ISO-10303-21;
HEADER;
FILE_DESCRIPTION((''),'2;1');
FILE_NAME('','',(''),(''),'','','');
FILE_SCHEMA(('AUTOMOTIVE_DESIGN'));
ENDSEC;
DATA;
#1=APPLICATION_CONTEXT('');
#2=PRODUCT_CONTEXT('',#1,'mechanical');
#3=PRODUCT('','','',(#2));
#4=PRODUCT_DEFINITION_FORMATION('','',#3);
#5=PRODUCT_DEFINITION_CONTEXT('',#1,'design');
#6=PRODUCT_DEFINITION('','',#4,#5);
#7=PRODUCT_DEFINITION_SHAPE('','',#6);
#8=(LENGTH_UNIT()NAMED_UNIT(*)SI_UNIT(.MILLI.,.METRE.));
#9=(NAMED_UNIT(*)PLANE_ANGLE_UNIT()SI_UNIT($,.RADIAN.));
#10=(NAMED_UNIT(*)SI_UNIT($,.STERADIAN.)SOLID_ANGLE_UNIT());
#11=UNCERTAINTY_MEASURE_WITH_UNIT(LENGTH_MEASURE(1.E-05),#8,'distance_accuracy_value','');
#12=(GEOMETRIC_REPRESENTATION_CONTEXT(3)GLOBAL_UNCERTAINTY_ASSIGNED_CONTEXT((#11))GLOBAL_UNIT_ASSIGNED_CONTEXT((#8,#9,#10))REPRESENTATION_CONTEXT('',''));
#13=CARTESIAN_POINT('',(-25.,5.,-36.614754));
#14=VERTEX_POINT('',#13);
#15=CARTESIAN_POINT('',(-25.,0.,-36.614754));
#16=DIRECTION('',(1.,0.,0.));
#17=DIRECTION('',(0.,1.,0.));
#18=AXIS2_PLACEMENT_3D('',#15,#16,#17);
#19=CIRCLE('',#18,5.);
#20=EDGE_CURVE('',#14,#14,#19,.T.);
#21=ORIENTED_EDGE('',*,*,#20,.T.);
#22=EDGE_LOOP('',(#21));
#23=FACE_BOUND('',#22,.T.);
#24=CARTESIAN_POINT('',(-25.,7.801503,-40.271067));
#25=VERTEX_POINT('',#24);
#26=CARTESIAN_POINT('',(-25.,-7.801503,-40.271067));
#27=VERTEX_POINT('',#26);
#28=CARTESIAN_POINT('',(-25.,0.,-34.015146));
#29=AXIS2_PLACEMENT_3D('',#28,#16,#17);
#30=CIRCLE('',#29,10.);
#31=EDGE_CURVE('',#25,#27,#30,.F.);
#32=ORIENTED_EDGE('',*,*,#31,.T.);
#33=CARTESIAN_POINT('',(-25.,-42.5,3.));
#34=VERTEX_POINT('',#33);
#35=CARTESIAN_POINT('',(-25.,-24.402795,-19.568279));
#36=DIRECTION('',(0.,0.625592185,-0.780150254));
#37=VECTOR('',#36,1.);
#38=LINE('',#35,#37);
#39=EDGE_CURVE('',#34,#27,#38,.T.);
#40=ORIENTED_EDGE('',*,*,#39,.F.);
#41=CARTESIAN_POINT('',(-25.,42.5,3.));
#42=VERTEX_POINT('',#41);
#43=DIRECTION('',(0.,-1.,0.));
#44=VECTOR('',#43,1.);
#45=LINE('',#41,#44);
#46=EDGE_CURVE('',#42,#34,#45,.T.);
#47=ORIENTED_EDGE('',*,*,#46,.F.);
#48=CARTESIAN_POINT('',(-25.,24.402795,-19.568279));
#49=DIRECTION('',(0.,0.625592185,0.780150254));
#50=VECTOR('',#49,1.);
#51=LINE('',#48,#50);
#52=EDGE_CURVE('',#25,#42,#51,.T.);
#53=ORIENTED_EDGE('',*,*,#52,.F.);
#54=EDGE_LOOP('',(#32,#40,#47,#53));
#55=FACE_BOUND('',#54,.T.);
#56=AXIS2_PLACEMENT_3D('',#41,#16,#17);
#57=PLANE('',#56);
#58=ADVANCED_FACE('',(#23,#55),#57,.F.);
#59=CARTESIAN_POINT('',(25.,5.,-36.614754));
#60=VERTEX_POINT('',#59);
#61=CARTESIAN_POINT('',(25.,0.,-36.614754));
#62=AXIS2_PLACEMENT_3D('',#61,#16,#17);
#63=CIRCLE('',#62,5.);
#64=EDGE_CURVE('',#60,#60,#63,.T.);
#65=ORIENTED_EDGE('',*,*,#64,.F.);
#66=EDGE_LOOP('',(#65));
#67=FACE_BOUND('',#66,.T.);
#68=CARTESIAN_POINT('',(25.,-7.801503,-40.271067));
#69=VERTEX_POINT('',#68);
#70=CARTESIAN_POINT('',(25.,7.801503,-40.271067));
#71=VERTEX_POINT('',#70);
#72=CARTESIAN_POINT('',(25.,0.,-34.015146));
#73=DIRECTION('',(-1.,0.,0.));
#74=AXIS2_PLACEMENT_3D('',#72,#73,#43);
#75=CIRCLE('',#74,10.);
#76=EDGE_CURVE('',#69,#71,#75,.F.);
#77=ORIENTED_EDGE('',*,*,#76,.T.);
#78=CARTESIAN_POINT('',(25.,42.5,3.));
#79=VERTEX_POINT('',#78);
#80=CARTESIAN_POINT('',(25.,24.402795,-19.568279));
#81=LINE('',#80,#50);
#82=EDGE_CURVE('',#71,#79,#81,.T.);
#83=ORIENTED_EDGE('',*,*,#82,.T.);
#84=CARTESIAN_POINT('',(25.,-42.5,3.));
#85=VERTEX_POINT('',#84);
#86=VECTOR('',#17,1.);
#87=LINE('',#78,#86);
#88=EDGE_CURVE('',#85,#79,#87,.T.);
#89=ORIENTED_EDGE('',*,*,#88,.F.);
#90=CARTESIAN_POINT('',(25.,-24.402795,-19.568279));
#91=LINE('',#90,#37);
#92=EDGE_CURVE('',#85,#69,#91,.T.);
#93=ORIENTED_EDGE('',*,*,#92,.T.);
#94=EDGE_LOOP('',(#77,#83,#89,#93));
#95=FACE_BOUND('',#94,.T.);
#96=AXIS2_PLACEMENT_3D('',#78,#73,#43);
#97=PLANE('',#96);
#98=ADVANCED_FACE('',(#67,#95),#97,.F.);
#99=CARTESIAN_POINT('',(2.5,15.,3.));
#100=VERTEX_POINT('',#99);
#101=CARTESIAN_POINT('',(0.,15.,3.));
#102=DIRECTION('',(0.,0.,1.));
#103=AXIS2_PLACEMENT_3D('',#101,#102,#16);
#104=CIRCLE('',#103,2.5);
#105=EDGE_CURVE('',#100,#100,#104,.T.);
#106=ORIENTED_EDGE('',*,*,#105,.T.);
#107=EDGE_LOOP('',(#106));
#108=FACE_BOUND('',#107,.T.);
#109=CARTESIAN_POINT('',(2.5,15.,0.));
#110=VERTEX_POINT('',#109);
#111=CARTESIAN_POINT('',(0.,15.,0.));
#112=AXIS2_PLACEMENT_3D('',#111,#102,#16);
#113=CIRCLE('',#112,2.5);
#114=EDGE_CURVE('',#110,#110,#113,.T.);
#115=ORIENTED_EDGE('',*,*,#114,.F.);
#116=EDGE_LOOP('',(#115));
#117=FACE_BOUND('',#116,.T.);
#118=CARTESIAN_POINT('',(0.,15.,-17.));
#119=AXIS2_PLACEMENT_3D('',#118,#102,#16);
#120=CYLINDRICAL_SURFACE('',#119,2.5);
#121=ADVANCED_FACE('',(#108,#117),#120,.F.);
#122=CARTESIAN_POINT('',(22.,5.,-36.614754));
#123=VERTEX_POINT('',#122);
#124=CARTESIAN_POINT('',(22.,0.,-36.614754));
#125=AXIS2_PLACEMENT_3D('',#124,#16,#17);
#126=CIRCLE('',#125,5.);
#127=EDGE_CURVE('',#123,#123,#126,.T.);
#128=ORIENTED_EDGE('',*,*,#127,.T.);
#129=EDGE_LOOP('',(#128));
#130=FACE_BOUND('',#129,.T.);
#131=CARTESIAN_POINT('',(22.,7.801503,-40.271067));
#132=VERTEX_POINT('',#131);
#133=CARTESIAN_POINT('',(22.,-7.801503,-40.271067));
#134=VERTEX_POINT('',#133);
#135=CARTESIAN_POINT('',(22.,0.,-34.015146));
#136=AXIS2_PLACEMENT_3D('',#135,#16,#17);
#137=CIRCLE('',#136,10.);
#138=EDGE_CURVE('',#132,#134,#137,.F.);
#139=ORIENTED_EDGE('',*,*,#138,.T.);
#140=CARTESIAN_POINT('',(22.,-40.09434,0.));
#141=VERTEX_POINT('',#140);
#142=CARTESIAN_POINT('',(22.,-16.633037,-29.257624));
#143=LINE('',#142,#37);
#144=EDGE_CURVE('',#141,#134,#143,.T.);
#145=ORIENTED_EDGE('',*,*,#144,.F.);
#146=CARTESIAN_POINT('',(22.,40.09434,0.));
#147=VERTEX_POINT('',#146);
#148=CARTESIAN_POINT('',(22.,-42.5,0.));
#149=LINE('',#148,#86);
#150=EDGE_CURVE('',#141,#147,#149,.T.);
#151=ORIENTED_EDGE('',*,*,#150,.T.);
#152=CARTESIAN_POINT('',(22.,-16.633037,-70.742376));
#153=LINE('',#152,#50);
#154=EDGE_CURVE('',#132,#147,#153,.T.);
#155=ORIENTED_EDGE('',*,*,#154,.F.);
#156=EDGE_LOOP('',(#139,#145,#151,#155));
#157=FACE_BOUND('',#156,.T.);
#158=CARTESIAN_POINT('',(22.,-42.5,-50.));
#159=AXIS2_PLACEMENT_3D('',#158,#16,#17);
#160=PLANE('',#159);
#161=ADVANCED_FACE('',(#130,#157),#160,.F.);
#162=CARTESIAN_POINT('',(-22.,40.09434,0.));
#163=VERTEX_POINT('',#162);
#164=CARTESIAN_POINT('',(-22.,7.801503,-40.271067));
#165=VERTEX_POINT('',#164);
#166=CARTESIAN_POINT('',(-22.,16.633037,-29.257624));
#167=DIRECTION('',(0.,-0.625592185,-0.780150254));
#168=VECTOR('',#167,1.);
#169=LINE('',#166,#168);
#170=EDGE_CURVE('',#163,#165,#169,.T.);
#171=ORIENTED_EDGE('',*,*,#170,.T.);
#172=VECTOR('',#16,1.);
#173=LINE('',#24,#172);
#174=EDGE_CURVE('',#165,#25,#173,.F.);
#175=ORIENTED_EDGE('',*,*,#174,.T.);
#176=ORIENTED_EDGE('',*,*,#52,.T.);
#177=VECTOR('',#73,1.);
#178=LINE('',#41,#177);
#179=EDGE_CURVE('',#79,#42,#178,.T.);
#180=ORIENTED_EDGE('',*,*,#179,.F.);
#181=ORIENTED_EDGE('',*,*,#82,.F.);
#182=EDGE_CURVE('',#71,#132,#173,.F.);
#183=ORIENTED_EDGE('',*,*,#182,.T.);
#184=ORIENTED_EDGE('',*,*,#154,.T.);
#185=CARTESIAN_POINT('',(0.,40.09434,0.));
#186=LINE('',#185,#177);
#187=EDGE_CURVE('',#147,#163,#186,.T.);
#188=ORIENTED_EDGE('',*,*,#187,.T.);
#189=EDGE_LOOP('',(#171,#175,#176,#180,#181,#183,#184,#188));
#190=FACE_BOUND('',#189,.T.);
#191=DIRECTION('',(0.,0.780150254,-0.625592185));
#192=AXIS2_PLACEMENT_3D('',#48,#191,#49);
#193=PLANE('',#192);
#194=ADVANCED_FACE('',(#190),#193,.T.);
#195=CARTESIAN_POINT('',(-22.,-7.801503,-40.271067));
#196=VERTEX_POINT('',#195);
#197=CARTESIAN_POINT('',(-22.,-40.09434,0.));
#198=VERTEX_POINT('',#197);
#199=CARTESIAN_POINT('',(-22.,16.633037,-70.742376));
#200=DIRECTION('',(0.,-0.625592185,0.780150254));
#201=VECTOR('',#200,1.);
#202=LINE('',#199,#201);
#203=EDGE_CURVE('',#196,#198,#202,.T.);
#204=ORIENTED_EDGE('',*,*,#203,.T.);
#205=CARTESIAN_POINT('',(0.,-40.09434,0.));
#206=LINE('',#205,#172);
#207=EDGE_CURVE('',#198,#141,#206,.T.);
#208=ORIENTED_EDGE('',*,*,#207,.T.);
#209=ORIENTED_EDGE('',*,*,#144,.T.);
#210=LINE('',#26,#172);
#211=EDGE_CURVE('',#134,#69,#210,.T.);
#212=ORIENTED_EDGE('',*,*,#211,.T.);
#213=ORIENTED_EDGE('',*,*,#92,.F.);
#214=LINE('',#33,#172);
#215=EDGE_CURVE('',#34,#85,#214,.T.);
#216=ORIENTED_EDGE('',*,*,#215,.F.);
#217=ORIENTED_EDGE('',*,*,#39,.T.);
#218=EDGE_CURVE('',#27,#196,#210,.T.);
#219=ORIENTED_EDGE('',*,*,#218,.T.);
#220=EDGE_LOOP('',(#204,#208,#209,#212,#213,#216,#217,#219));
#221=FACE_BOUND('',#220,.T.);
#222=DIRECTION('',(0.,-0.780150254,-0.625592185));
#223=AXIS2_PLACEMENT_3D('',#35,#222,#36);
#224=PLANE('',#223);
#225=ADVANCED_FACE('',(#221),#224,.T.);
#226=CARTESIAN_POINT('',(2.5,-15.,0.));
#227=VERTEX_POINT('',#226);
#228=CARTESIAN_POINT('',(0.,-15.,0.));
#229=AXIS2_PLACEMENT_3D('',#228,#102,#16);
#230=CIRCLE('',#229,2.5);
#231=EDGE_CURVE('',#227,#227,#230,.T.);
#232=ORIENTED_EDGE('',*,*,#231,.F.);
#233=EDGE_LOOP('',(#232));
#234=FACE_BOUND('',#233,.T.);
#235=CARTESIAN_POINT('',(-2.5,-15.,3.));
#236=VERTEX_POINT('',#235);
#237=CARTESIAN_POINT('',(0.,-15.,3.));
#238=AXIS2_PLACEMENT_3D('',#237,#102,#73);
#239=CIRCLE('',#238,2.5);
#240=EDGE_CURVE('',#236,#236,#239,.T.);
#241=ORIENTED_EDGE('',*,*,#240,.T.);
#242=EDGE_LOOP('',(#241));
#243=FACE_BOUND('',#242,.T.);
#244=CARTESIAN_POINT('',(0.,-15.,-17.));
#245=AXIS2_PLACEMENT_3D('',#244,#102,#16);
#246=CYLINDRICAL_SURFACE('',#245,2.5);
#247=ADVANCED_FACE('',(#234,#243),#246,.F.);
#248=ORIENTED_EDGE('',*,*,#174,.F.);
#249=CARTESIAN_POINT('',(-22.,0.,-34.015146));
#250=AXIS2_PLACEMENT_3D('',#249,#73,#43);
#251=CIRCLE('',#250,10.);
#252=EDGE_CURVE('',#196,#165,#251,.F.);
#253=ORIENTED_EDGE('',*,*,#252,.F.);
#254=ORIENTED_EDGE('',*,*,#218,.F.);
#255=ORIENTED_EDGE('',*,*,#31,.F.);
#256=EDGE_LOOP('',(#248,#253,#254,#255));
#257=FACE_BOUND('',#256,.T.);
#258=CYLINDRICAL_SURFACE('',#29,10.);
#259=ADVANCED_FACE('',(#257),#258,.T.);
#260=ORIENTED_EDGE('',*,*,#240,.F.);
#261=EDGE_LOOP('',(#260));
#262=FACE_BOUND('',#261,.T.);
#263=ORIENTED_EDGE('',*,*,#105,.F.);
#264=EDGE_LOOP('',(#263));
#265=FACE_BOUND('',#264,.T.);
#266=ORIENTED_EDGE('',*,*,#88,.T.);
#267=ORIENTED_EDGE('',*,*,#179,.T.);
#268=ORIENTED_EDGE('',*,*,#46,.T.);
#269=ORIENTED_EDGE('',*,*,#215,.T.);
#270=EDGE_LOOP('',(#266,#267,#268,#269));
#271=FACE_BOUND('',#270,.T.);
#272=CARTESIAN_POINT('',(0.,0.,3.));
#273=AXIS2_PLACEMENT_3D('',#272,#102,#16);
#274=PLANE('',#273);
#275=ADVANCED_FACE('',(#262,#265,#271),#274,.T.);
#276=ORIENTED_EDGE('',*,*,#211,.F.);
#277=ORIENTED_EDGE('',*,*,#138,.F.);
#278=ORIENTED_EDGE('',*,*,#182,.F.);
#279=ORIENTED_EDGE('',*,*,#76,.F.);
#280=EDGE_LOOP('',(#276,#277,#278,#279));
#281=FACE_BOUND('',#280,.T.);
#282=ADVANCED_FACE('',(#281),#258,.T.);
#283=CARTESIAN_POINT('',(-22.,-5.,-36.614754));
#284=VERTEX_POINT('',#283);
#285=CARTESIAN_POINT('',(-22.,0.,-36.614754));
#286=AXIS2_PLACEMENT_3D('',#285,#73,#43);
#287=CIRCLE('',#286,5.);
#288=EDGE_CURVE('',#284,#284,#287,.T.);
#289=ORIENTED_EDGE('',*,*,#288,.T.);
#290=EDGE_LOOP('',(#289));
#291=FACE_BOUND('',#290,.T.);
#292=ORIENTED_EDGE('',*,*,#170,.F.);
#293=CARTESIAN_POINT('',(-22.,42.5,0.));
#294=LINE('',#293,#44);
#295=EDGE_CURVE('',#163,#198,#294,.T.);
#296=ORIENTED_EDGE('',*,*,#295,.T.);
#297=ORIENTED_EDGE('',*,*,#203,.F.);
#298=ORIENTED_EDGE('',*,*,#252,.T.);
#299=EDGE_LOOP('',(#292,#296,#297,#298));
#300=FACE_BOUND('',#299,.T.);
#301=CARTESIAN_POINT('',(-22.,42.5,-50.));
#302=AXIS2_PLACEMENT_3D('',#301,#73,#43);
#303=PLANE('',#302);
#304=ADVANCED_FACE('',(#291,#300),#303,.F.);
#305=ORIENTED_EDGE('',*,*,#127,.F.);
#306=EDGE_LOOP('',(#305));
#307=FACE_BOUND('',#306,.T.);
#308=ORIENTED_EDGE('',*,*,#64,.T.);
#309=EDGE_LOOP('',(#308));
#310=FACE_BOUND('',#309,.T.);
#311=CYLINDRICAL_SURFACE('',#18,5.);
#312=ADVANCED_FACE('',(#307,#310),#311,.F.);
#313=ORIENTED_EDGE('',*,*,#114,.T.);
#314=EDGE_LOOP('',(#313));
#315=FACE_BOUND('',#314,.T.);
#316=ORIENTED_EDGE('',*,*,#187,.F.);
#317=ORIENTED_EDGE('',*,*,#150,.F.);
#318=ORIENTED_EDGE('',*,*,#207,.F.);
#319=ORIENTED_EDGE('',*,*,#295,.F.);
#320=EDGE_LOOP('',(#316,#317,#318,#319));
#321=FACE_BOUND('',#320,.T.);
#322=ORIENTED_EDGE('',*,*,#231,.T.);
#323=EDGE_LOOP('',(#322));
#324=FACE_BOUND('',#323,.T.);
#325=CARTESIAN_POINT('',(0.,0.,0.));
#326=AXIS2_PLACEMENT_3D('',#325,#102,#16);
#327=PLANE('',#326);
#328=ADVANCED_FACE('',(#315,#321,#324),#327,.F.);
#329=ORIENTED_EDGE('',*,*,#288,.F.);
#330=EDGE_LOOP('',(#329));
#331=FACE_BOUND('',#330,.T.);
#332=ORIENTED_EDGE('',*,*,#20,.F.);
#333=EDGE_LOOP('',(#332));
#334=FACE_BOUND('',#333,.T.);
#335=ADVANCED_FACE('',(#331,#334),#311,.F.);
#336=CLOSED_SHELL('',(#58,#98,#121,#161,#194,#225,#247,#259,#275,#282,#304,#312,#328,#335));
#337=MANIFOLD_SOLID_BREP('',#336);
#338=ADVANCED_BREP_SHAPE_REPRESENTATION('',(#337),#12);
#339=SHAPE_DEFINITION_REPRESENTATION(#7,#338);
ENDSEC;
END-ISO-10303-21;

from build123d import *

# Parameters (mm, degrees)
SKETCH1_W           = 50
SKETCH1_H           = 85
BOSS_EXTRUDE1_DEPTH = 3
SKETCH4_W           = 3
SKETCH4_H           = 85
BOSS_EXTRUDE2_DEPTH = 50
CUT_EXTRUDE1_DEPTH  = 50
FILLET2_R           = 10
SKETCH6_R           = 5
CUT_EXTRUDE2_DEPTH  = 50
SKETCH7_R           = 2.5
CUT_EXTRUDE3_DEPTH  = 20


with BuildPart() as part:
    # Sketch1 → Boss-Extrude1 (new body)
    with BuildSketch(Plane.XY):
        Rectangle(SKETCH1_W, SKETCH1_H)
    extrude(amount=BOSS_EXTRUDE1_DEPTH)

    # Sketch4 → Boss-Extrude2 (add)
    with BuildSketch(Plane(origin=(0, 0, 0), x_dir=(-1, 0, 0), z_dir=(0, 0, -1))):
        with Locations((-23.5, 0)):
            Rectangle(SKETCH4_W, SKETCH4_H)
        with Locations((23.5, 0)):
            Rectangle(SKETCH4_W, SKETCH4_H)
    extrude(amount=BOSS_EXTRUDE2_DEPTH)

    # Sketch5 → Cut-Extrude1 (cut)
    with BuildSketch(Plane(origin=(25, 0, 0), x_dir=(0, 0, -1), z_dir=(1, 0, 0))):
        Polygon((50, 0), (-3, -42.5), (50, -42.5), align=None)
        Polygon((-3, 42.5), (50, 0), (50, 42.5), align=None)
    extrude(amount=-CUT_EXTRUDE1_DEPTH, mode=Mode.SUBTRACT)

    # Fillet2
    fillet2_edges = [part.edges().sort_by_distance(p)[0] for p in [
        (23.5, 0, -50),
        (-23.5, 0, -50),
    ]]
    fillet(fillet2_edges, radius=FILLET2_R)

    # Sketch6 → Cut-Extrude2 (cut)
    with BuildSketch(Plane(origin=(25, 0, 0), x_dir=(0, 0, -1), z_dir=(1, 0, 0))):
        with Locations(Location((36.614754057, 0, 0), (0, 0, 90))):
            Circle(SKETCH6_R)
    extrude(amount=-CUT_EXTRUDE2_DEPTH, mode=Mode.SUBTRACT)

    # Sketch7 → Cut-Extrude3 (cut)
    with BuildSketch(Plane.XY.offset(3)):
        with Locations((0, 15)):
            Circle(SKETCH7_R)
        with Locations((0, -15)):
            Circle(SKETCH7_R)
    extrude(amount=-CUT_EXTRUDE3_DEPTH, mode=Mode.SUBTRACT)


solid = part.part
